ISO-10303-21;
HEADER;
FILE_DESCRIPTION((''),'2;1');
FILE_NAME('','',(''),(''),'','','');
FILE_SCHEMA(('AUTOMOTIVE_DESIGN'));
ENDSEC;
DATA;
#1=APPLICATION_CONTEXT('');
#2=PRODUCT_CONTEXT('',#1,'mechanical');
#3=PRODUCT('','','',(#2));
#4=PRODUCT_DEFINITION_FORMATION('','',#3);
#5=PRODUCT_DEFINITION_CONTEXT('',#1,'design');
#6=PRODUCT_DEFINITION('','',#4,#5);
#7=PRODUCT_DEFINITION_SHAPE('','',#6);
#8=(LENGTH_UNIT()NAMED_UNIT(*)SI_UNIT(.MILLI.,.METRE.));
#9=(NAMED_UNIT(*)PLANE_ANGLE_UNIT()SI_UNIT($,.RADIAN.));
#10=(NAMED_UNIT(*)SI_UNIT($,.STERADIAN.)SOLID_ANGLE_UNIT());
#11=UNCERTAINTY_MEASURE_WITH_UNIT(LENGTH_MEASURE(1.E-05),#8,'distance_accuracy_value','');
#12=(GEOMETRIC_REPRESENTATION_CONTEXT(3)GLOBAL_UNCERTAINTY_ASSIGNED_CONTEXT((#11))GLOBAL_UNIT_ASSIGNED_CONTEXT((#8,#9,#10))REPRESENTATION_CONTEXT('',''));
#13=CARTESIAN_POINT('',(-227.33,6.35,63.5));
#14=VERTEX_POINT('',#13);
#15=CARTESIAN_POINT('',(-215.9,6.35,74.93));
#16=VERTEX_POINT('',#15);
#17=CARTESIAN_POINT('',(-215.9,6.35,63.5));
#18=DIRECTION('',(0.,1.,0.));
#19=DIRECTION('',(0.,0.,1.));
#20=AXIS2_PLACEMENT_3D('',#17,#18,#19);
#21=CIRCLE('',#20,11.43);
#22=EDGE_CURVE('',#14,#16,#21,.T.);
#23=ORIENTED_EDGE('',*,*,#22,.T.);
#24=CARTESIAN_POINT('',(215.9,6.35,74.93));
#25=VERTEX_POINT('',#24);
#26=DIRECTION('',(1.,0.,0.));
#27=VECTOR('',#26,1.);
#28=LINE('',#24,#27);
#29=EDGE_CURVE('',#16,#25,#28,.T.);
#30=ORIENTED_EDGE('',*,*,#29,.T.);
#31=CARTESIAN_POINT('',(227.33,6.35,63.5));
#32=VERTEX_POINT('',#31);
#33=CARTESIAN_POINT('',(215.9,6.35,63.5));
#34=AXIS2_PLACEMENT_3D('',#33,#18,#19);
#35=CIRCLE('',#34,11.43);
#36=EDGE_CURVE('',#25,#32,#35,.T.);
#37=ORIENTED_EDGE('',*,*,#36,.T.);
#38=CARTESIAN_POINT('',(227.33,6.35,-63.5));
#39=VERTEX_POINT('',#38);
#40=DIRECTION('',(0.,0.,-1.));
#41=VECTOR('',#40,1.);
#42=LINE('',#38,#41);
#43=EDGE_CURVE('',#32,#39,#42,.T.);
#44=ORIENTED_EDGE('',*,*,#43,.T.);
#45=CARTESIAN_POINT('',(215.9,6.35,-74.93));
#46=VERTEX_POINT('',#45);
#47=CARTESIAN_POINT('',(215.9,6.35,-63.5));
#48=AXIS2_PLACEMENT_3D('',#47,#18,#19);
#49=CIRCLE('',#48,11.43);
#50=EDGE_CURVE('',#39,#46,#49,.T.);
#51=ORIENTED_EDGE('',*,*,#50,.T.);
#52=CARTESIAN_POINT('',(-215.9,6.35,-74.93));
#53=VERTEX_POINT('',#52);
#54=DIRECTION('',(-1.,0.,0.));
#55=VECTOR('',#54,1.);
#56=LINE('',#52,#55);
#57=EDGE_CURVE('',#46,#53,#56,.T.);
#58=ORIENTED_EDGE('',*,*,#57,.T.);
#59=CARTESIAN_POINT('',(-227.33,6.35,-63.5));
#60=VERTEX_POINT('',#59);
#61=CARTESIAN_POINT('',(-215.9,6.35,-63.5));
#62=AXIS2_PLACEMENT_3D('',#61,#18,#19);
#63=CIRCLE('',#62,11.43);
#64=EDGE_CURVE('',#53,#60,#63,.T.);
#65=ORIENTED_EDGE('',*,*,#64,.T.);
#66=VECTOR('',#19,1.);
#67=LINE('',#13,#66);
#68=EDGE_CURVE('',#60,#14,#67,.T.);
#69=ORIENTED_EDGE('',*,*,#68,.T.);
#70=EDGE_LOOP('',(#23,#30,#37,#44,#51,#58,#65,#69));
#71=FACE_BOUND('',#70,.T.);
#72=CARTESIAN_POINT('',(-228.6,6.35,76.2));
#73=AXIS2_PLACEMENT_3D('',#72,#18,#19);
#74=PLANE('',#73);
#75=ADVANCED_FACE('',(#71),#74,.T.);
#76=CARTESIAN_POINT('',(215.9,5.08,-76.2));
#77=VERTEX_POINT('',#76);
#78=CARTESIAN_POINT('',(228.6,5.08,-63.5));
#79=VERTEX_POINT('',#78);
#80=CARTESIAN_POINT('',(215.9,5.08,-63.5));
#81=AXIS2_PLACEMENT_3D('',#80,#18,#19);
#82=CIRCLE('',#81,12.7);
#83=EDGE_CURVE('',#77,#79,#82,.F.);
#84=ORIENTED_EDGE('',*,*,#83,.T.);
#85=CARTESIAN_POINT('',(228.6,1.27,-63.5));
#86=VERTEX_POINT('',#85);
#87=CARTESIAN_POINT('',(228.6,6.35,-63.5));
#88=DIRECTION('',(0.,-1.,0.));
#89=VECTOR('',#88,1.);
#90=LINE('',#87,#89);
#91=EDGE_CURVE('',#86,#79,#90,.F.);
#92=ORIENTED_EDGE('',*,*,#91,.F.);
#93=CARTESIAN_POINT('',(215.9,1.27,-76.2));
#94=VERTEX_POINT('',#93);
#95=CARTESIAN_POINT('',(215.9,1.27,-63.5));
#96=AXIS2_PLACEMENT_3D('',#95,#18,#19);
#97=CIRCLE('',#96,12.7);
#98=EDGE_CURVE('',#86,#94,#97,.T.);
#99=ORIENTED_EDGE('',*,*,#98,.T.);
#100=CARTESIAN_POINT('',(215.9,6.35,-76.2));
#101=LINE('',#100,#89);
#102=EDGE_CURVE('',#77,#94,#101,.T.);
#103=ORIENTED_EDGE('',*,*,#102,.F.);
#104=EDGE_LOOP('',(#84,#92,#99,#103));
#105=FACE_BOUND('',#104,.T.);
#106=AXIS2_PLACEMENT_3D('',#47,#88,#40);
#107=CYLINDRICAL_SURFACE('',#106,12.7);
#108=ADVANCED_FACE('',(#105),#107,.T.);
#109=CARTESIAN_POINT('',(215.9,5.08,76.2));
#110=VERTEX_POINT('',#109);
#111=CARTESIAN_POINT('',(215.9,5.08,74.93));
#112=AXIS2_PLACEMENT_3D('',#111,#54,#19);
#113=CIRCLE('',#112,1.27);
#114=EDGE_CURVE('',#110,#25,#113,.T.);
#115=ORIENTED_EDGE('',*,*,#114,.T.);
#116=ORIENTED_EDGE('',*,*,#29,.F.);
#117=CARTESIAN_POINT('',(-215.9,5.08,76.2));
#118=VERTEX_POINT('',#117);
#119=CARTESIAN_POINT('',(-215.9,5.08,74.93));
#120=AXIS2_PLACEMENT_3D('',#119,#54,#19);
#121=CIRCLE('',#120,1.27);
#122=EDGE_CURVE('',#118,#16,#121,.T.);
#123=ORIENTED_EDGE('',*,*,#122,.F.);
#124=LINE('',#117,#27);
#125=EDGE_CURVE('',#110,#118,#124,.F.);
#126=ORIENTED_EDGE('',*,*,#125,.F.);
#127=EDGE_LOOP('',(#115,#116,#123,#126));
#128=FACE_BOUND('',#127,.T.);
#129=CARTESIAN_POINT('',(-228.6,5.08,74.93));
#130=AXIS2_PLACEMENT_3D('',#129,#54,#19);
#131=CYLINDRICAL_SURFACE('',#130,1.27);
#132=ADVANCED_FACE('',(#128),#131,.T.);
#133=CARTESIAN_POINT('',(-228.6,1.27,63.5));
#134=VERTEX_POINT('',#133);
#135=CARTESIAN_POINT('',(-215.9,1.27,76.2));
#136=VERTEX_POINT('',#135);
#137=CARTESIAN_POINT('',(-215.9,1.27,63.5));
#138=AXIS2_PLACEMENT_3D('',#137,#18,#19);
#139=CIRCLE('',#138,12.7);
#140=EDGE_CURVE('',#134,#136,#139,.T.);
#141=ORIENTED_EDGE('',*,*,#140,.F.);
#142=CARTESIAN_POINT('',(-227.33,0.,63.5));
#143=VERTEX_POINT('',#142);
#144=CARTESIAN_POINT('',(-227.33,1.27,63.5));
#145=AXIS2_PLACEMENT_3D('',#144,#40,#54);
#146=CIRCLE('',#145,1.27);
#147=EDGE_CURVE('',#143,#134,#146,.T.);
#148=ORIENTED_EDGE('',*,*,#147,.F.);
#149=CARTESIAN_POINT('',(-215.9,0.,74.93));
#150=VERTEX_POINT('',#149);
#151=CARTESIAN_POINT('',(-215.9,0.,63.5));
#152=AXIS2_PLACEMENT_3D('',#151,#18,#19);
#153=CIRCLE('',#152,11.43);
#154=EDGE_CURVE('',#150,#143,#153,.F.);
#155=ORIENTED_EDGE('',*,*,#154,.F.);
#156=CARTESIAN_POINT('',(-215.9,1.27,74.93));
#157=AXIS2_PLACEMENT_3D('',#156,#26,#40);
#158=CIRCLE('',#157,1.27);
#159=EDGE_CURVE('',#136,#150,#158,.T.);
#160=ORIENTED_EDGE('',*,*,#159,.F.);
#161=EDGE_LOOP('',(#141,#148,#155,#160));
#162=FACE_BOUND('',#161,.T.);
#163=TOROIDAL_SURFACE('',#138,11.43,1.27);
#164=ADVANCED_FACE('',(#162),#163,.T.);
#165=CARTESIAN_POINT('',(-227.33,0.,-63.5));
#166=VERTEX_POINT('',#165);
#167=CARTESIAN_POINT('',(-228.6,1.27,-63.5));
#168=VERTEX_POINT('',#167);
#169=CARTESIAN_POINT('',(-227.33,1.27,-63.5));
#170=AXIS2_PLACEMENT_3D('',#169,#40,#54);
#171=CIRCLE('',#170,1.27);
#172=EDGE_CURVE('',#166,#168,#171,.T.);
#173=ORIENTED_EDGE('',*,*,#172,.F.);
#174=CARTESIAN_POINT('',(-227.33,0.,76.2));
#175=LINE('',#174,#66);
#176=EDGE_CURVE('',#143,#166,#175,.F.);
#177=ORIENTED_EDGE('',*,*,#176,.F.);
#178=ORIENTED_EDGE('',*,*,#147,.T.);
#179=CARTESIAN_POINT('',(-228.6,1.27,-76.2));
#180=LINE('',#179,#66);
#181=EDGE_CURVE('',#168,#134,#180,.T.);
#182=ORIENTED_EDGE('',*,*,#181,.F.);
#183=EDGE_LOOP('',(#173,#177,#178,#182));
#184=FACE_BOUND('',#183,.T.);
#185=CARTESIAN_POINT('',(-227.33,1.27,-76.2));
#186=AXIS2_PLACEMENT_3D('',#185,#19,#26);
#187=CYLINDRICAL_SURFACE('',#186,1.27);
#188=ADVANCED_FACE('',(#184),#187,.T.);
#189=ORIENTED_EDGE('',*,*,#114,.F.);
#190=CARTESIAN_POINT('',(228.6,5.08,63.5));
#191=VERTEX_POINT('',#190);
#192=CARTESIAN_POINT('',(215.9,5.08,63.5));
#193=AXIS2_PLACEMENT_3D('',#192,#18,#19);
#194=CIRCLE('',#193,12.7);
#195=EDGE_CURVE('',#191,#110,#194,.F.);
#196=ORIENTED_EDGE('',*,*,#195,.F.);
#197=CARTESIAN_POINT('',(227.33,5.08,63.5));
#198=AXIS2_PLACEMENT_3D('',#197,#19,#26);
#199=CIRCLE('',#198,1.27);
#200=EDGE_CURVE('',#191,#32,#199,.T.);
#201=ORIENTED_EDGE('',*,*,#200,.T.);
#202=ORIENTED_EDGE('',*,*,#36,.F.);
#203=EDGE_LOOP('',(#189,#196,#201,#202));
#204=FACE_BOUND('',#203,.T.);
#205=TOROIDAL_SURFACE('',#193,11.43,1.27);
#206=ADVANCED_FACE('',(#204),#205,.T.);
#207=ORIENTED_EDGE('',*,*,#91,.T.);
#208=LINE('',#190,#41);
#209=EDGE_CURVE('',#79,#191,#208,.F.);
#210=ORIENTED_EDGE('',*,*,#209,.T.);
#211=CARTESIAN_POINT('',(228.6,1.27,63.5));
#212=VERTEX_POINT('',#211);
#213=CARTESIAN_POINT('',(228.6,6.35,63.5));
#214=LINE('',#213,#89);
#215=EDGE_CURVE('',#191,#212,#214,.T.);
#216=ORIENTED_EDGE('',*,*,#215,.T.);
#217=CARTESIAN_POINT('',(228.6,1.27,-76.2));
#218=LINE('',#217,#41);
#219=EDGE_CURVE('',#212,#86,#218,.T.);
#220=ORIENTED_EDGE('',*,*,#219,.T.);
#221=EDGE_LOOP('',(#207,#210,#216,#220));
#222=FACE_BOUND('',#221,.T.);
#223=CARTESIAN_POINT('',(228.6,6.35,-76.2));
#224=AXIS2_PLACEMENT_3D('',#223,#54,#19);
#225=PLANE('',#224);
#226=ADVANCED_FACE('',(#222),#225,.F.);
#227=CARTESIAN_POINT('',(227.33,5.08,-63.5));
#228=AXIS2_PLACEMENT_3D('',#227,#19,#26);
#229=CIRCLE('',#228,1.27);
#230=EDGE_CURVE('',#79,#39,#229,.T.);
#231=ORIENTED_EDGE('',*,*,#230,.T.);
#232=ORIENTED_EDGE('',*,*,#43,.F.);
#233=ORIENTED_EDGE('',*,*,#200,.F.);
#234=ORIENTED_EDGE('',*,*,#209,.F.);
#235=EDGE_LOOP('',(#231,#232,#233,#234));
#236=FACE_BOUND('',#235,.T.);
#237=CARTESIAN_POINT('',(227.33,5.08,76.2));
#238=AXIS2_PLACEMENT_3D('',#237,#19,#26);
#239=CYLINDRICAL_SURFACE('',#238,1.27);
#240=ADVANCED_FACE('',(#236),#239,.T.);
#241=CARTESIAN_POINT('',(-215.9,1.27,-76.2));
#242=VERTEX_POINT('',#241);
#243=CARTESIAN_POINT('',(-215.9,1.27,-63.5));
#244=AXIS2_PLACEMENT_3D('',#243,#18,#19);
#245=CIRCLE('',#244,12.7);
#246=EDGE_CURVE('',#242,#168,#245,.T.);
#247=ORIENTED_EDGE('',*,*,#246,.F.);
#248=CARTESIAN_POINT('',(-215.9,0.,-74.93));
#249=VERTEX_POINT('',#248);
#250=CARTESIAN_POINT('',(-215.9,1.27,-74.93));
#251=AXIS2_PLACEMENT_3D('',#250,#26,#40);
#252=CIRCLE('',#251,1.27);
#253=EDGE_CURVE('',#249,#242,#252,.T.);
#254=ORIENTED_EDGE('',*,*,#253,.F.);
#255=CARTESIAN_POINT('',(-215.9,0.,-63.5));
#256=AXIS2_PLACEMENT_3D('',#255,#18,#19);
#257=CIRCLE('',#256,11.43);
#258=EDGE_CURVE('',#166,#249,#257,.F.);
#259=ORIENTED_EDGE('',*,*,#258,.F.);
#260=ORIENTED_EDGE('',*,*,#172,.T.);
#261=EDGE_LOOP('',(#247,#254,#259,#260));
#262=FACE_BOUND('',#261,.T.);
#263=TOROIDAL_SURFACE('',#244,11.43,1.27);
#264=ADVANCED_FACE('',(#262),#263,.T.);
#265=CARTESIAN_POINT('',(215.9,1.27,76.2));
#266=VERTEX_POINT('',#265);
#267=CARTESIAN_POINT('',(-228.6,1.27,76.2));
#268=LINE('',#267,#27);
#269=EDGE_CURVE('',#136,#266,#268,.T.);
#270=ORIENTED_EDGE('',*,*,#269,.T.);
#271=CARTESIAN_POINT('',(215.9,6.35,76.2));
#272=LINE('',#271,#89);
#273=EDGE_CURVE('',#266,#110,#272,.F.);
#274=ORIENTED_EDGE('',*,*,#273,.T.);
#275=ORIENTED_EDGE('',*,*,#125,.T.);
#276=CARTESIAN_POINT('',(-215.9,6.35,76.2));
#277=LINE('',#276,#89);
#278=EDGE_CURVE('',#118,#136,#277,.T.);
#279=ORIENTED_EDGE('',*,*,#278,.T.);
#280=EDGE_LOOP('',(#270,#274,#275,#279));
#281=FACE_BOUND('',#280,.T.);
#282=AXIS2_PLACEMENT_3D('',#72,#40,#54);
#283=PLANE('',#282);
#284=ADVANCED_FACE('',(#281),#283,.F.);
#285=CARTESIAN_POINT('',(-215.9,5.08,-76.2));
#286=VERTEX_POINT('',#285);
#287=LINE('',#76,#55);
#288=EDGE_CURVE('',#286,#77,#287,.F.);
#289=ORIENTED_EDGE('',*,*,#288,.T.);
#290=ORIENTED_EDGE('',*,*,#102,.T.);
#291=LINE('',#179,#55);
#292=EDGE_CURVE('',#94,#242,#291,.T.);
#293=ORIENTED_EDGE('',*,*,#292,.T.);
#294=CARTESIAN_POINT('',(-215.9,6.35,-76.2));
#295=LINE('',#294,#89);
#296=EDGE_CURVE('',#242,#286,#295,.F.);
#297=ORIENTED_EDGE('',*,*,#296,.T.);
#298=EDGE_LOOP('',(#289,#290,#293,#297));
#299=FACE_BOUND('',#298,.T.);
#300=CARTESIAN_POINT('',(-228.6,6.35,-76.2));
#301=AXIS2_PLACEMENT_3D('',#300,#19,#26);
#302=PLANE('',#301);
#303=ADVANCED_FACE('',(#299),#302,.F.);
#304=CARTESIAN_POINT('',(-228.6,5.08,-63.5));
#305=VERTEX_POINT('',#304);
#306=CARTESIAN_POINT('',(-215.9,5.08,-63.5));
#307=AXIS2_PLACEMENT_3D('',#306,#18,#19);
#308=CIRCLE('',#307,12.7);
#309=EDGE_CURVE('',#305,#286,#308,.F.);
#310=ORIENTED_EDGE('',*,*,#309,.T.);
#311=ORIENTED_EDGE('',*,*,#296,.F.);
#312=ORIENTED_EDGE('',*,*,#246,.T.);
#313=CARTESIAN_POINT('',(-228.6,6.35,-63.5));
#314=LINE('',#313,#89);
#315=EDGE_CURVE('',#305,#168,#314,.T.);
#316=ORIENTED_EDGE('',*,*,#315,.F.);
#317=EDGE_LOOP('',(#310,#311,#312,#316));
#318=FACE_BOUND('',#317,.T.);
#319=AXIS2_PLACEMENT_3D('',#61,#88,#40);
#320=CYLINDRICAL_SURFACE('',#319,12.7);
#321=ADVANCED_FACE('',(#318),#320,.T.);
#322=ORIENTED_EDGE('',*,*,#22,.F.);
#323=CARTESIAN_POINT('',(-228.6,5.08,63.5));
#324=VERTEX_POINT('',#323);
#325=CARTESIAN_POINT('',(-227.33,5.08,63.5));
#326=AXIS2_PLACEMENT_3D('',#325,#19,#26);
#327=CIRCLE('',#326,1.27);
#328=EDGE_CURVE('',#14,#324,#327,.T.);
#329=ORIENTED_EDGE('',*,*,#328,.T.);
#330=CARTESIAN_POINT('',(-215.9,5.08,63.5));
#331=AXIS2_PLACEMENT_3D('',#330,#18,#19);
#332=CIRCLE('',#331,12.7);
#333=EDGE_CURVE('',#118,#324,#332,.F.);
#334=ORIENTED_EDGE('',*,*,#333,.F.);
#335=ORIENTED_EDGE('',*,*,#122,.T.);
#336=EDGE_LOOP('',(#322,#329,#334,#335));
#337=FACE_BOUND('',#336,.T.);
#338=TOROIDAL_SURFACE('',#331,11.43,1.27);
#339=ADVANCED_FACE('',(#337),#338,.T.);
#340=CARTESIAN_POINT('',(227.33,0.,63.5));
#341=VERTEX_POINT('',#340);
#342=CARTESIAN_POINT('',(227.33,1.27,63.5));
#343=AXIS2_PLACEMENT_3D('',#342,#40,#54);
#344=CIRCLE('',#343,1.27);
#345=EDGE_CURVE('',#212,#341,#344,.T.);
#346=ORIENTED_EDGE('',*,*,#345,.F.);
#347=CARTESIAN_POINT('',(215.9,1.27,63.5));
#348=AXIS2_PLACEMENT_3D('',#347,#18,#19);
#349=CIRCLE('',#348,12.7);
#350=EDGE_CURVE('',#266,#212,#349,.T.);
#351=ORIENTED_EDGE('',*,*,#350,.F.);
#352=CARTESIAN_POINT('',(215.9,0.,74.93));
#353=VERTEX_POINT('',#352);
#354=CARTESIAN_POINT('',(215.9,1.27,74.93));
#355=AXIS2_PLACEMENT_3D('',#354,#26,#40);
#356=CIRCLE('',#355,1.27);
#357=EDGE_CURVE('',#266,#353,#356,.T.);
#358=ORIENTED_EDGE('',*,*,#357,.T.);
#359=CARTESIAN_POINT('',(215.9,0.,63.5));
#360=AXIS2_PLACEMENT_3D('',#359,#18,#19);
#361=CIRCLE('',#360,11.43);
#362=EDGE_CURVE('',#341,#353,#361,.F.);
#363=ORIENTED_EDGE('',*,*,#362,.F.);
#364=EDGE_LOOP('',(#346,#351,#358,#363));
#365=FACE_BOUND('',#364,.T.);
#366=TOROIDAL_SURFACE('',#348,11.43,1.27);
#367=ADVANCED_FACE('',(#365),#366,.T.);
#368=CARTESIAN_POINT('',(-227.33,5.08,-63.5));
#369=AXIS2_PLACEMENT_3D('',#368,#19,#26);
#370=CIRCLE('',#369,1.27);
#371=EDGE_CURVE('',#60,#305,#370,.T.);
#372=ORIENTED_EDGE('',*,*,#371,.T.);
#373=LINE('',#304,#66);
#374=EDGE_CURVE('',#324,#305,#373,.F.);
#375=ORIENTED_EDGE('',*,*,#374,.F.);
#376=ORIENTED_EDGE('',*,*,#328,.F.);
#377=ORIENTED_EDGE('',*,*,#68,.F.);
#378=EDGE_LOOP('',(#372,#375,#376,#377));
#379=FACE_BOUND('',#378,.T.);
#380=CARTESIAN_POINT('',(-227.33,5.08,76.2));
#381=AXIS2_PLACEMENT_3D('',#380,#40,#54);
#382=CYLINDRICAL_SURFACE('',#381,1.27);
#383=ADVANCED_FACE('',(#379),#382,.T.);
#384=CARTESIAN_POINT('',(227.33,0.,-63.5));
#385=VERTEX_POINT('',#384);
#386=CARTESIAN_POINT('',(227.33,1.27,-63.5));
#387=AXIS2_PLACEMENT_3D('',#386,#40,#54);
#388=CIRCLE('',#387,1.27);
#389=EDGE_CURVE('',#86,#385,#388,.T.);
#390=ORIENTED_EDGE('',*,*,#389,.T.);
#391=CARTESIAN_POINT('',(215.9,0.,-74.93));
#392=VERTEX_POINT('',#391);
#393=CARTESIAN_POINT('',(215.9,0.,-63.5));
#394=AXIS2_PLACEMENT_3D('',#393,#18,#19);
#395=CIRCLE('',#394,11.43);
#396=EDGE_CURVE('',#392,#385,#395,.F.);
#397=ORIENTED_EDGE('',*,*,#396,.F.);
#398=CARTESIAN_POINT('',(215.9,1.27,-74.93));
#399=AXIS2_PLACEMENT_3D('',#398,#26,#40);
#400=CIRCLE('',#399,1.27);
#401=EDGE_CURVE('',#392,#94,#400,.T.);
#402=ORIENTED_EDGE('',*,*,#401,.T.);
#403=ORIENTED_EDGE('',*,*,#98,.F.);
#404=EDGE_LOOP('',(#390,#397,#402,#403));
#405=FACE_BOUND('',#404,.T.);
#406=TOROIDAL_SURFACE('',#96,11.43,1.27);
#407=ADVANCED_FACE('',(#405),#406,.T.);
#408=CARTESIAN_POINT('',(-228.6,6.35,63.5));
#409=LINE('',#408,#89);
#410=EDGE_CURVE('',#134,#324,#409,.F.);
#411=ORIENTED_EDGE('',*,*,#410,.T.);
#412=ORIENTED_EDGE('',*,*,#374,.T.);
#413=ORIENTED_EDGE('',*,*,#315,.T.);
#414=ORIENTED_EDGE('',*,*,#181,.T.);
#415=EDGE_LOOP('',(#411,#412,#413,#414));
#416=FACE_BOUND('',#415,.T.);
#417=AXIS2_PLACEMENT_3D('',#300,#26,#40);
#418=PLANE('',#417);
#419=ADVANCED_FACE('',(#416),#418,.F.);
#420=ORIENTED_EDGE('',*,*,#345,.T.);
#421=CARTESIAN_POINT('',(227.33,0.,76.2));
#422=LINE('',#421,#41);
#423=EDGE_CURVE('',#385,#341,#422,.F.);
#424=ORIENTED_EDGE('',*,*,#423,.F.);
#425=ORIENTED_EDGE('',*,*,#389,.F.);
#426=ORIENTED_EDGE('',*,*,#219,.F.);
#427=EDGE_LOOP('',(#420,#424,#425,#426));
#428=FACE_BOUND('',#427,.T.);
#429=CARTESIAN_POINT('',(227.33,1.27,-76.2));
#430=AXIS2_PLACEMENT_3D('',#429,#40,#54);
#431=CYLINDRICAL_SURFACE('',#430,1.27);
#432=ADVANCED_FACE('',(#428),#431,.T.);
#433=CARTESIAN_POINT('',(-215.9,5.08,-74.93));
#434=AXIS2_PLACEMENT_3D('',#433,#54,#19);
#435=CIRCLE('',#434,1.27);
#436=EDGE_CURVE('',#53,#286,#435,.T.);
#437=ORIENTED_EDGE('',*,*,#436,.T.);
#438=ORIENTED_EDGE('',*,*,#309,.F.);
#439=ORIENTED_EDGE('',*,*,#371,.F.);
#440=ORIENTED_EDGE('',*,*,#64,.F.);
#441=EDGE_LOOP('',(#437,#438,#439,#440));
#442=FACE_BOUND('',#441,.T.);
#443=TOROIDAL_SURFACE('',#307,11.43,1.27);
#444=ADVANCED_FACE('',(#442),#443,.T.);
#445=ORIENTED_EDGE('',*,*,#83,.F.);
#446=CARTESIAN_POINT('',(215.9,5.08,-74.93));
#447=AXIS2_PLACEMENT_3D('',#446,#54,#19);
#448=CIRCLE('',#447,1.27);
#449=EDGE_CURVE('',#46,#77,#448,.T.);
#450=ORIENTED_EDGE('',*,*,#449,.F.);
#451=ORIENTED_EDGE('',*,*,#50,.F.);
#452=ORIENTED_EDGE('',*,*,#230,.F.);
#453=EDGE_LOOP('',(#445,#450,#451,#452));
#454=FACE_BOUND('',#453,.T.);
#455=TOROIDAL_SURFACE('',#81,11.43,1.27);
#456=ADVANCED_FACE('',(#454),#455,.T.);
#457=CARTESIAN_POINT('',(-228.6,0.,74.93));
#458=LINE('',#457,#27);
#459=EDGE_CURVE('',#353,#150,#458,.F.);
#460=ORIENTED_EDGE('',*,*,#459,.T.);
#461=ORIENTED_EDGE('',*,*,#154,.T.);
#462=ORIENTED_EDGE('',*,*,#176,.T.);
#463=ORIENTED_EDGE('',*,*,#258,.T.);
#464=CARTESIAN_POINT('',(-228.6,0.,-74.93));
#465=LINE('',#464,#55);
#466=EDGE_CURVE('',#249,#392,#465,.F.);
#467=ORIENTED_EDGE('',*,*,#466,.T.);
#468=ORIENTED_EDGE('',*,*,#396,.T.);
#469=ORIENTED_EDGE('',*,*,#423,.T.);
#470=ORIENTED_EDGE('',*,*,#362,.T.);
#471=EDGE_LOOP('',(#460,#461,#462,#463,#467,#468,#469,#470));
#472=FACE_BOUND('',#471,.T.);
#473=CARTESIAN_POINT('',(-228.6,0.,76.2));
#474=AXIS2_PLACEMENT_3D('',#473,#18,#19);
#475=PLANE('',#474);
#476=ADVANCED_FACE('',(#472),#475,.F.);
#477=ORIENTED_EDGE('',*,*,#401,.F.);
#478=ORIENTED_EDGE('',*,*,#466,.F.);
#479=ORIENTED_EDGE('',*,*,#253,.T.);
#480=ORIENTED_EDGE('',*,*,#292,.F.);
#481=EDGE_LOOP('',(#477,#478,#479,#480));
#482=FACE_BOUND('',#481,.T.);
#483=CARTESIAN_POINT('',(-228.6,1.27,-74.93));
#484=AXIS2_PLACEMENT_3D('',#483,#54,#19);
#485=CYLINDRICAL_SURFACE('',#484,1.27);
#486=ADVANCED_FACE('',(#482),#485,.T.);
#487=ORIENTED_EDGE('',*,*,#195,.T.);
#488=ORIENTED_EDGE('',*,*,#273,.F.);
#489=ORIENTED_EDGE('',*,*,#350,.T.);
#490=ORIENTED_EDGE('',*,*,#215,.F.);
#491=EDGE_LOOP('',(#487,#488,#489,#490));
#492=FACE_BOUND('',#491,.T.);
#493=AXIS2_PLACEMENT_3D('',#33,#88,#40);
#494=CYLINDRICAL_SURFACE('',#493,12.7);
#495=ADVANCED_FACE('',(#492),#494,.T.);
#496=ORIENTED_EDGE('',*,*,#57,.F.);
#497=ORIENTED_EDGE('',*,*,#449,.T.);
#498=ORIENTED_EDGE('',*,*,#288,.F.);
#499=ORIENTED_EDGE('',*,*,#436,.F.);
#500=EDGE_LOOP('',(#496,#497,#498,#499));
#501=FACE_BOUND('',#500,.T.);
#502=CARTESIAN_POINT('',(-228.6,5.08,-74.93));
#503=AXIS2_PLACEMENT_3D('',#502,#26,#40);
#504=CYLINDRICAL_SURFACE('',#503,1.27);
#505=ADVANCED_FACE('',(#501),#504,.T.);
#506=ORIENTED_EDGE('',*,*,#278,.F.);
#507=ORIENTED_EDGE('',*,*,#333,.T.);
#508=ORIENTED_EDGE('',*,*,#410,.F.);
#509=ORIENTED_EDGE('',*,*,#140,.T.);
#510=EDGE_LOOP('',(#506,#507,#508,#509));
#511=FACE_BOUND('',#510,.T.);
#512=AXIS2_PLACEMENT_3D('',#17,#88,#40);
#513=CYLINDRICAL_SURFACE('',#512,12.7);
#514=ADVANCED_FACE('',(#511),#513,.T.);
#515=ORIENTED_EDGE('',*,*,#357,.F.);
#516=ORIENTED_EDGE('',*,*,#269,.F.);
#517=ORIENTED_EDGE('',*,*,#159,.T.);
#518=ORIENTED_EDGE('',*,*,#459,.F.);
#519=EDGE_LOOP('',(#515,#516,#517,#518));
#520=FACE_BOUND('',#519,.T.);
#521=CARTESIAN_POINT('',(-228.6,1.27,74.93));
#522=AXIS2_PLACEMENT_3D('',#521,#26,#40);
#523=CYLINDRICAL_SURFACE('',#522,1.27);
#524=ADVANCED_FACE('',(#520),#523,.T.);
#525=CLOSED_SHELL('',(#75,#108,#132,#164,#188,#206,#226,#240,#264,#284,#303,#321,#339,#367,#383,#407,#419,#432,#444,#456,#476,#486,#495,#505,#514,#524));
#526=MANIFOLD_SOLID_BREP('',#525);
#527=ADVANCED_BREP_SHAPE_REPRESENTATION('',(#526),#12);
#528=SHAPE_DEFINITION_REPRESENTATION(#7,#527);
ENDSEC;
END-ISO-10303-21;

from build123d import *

# Parameters (mm, degrees)
SKETCH1_W           = 457.2
SKETCH1_H           = 152.4
BOSS_EXTRUDE1_DEPTH = 6.35
FILLET2_R           = 12.7
FILLET3_R           = 1.27


with BuildPart() as part:
    # Sketch1 → Boss-Extrude1 (new body)
    with BuildSketch(Plane(origin=(0, 0, 0), x_dir=(1, 0, 0), z_dir=(0, 1, 0))):
        Rectangle(SKETCH1_W, SKETCH1_H)
    extrude(amount=BOSS_EXTRUDE1_DEPTH)

    # Fillet2
    fillet2_edges = [part.edges().sort_by_distance(p)[0] for p in [
        (-228.6, 3.175, -76.2),
        (228.6, 3.175, -76.2),
        (228.6, 3.175, 76.2),
        (-228.6, 3.175, 76.2),
    ]]
    fillet(fillet2_edges, radius=FILLET2_R)

    # Fillet3
    fillet3_edges = [part.edges().sort_by_distance(p)[0] for p in [
        (228.6, 0, 0),
        (228.6, 6.35, 0),
        (-228.6, 0, 0),
        (0, 0, -76.2),
        (0, 0, 76.2),
        (-224.880256121, 0, 72.480256121),
        (-224.880256121, 0, -72.480256121),
        (224.880256121, 0, -72.480256121),
        (224.880256121, 0, 72.480256121),
        (0, 6.35, 76.2),
        (-228.6, 6.35, 0),
        (0, 6.35, -76.2),
        (-224.880256121, 6.35, 72.480256121),
        (-224.880256121, 6.35, -72.480256121),
        (224.880256121, 6.35, -72.480256121),
        (224.880256121, 6.35, 72.480256121),
    ]]
    fillet(fillet3_edges, radius=FILLET3_R)


solid = part.part
